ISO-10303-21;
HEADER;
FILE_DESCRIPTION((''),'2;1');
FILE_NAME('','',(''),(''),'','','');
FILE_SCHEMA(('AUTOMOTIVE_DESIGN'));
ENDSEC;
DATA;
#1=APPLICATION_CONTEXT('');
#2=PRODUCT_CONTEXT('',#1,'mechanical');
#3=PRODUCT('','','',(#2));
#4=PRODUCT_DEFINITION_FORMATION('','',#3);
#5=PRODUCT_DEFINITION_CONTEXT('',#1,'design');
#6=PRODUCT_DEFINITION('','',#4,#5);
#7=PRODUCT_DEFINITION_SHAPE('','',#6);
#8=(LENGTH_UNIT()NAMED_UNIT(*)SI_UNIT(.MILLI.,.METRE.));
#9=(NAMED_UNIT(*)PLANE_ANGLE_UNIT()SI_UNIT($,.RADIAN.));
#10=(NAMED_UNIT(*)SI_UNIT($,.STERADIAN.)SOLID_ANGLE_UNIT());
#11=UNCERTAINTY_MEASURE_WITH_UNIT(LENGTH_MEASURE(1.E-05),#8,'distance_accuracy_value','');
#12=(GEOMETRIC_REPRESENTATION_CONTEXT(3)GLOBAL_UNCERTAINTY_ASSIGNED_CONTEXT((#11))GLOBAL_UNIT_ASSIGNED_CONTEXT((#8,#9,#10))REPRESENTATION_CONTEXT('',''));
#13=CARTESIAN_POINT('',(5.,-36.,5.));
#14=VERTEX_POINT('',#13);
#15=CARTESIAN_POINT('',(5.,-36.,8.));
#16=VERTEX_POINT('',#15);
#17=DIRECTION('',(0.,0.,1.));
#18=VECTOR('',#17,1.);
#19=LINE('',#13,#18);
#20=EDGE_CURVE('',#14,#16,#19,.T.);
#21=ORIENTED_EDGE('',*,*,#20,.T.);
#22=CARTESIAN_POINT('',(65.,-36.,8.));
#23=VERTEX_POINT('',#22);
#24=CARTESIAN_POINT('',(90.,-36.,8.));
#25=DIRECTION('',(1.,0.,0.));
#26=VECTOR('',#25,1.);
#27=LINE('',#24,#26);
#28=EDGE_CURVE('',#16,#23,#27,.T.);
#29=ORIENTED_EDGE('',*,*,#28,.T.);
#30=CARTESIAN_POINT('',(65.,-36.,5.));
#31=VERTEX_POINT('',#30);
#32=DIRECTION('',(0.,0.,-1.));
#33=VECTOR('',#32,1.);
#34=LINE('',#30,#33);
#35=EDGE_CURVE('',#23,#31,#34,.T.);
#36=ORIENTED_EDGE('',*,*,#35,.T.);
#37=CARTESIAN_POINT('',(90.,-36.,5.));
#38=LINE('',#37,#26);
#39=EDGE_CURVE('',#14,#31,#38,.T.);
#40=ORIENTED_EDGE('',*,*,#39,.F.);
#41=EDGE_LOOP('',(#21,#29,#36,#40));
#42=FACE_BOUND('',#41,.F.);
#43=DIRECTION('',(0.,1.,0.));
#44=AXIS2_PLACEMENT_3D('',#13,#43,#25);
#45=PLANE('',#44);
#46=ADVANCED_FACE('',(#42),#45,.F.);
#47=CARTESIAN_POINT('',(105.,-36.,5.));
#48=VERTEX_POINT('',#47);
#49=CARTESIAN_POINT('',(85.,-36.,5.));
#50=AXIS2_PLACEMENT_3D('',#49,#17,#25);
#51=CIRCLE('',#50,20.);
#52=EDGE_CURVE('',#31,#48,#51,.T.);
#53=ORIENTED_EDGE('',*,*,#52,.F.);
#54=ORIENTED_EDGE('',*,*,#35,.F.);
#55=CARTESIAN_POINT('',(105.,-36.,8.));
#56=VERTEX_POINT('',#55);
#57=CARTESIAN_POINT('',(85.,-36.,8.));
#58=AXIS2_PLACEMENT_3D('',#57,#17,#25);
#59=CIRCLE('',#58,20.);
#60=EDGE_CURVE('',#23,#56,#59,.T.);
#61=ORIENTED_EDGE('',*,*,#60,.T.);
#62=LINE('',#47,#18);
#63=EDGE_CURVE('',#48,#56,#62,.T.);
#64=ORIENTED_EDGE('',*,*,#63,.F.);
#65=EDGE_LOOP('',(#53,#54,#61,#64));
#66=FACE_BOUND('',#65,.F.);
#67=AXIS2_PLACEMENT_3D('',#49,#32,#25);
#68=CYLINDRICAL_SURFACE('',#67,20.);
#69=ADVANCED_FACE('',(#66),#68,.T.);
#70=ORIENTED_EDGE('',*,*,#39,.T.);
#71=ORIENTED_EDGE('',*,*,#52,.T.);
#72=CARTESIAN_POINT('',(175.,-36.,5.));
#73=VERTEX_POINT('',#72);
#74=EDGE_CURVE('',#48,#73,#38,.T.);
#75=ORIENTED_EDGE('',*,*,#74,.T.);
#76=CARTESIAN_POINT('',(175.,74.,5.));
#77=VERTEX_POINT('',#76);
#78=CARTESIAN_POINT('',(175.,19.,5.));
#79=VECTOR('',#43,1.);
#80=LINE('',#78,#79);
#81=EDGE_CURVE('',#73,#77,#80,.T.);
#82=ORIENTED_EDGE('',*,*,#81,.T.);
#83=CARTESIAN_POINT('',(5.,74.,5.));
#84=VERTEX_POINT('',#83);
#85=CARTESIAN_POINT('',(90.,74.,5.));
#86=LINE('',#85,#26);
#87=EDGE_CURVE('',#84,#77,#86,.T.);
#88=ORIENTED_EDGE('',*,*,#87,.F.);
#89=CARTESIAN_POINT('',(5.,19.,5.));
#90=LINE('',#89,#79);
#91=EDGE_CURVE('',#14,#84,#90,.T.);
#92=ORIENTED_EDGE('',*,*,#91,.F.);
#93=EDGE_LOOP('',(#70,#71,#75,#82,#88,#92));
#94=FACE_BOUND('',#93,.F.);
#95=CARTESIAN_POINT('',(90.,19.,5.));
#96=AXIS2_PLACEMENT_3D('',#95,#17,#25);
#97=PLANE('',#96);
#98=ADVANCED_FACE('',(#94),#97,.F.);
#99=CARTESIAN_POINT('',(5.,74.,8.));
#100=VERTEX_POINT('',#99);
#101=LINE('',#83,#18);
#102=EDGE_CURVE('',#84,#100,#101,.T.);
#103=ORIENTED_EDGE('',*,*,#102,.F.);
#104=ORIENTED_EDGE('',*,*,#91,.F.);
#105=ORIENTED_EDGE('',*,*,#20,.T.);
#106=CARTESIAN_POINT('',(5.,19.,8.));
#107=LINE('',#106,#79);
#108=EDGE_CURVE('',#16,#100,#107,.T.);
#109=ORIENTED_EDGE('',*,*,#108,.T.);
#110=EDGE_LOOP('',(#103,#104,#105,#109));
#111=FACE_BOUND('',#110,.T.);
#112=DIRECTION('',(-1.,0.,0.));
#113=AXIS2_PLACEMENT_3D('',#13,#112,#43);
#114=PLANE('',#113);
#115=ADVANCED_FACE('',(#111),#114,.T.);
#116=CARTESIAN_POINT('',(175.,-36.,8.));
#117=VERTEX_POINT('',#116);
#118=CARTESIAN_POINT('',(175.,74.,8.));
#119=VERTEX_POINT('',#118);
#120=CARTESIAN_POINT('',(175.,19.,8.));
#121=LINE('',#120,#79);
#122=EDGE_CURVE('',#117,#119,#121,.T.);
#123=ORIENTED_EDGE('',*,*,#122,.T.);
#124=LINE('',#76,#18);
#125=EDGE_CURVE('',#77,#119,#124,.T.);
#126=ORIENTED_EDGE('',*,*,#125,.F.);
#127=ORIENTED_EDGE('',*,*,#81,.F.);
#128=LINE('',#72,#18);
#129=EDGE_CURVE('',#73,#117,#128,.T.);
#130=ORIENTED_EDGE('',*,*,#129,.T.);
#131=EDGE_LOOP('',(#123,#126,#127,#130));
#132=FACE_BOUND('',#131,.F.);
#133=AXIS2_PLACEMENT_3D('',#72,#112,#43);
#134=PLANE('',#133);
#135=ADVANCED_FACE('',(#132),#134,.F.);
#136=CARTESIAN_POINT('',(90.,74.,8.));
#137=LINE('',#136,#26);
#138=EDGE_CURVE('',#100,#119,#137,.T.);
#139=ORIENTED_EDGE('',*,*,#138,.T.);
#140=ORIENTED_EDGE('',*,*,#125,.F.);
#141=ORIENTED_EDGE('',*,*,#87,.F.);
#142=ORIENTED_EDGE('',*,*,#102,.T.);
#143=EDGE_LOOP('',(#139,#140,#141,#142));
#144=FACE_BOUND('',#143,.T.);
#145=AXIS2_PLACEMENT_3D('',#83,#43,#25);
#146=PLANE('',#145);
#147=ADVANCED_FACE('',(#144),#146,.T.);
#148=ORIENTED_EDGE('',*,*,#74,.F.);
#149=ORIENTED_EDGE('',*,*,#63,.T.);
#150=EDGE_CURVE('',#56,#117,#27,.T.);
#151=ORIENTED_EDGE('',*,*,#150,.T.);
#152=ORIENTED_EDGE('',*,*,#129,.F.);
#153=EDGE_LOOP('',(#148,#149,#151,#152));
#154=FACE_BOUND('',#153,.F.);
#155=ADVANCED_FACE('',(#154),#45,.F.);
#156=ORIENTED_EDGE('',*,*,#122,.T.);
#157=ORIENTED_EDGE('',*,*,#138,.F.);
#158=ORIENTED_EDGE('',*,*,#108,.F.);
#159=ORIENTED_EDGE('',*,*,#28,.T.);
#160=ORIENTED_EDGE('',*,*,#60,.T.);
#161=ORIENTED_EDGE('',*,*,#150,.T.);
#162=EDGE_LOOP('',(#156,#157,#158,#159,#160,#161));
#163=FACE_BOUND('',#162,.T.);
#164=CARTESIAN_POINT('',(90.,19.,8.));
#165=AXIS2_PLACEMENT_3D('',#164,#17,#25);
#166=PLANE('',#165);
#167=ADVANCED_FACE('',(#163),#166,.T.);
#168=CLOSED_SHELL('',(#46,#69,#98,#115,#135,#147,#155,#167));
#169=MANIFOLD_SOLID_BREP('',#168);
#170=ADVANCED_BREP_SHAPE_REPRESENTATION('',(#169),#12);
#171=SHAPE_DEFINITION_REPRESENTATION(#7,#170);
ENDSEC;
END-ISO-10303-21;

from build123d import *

# Parameters (mm, degrees)
CYLINDER_R     = 20
CYLINDER_DEPTH = 3
BOX002_W       = 170
BOX002_H       = 110
BOX002_DEPTH   = 3


with BuildPart() as cilindro:
    # Cylinder → Cylinder (new body)
    with BuildSketch(Plane(origin=(80, 0, 0), x_dir=(1, 0, 0), z_dir=(0, 0, 1))):
        Circle(CYLINDER_R)
    extrude(amount=CYLINDER_DEPTH)


with BuildPart() as metacrilato1:
    # Box002 → Box002 (new body)
    with BuildSketch(Plane.XY):
        with Locations((85, 55)):
            Rectangle(BOX002_W, BOX002_H)
    extrude(amount=BOX002_DEPTH)

    # Fusion: union Cilindro
    add(cilindro.part)


with BuildPart() as metacrilato1_1:
    # Fusion placement: moved
    add(metacrilato1.part.moved(Location((5, -36, 5))))


solid = metacrilato1_1.part
